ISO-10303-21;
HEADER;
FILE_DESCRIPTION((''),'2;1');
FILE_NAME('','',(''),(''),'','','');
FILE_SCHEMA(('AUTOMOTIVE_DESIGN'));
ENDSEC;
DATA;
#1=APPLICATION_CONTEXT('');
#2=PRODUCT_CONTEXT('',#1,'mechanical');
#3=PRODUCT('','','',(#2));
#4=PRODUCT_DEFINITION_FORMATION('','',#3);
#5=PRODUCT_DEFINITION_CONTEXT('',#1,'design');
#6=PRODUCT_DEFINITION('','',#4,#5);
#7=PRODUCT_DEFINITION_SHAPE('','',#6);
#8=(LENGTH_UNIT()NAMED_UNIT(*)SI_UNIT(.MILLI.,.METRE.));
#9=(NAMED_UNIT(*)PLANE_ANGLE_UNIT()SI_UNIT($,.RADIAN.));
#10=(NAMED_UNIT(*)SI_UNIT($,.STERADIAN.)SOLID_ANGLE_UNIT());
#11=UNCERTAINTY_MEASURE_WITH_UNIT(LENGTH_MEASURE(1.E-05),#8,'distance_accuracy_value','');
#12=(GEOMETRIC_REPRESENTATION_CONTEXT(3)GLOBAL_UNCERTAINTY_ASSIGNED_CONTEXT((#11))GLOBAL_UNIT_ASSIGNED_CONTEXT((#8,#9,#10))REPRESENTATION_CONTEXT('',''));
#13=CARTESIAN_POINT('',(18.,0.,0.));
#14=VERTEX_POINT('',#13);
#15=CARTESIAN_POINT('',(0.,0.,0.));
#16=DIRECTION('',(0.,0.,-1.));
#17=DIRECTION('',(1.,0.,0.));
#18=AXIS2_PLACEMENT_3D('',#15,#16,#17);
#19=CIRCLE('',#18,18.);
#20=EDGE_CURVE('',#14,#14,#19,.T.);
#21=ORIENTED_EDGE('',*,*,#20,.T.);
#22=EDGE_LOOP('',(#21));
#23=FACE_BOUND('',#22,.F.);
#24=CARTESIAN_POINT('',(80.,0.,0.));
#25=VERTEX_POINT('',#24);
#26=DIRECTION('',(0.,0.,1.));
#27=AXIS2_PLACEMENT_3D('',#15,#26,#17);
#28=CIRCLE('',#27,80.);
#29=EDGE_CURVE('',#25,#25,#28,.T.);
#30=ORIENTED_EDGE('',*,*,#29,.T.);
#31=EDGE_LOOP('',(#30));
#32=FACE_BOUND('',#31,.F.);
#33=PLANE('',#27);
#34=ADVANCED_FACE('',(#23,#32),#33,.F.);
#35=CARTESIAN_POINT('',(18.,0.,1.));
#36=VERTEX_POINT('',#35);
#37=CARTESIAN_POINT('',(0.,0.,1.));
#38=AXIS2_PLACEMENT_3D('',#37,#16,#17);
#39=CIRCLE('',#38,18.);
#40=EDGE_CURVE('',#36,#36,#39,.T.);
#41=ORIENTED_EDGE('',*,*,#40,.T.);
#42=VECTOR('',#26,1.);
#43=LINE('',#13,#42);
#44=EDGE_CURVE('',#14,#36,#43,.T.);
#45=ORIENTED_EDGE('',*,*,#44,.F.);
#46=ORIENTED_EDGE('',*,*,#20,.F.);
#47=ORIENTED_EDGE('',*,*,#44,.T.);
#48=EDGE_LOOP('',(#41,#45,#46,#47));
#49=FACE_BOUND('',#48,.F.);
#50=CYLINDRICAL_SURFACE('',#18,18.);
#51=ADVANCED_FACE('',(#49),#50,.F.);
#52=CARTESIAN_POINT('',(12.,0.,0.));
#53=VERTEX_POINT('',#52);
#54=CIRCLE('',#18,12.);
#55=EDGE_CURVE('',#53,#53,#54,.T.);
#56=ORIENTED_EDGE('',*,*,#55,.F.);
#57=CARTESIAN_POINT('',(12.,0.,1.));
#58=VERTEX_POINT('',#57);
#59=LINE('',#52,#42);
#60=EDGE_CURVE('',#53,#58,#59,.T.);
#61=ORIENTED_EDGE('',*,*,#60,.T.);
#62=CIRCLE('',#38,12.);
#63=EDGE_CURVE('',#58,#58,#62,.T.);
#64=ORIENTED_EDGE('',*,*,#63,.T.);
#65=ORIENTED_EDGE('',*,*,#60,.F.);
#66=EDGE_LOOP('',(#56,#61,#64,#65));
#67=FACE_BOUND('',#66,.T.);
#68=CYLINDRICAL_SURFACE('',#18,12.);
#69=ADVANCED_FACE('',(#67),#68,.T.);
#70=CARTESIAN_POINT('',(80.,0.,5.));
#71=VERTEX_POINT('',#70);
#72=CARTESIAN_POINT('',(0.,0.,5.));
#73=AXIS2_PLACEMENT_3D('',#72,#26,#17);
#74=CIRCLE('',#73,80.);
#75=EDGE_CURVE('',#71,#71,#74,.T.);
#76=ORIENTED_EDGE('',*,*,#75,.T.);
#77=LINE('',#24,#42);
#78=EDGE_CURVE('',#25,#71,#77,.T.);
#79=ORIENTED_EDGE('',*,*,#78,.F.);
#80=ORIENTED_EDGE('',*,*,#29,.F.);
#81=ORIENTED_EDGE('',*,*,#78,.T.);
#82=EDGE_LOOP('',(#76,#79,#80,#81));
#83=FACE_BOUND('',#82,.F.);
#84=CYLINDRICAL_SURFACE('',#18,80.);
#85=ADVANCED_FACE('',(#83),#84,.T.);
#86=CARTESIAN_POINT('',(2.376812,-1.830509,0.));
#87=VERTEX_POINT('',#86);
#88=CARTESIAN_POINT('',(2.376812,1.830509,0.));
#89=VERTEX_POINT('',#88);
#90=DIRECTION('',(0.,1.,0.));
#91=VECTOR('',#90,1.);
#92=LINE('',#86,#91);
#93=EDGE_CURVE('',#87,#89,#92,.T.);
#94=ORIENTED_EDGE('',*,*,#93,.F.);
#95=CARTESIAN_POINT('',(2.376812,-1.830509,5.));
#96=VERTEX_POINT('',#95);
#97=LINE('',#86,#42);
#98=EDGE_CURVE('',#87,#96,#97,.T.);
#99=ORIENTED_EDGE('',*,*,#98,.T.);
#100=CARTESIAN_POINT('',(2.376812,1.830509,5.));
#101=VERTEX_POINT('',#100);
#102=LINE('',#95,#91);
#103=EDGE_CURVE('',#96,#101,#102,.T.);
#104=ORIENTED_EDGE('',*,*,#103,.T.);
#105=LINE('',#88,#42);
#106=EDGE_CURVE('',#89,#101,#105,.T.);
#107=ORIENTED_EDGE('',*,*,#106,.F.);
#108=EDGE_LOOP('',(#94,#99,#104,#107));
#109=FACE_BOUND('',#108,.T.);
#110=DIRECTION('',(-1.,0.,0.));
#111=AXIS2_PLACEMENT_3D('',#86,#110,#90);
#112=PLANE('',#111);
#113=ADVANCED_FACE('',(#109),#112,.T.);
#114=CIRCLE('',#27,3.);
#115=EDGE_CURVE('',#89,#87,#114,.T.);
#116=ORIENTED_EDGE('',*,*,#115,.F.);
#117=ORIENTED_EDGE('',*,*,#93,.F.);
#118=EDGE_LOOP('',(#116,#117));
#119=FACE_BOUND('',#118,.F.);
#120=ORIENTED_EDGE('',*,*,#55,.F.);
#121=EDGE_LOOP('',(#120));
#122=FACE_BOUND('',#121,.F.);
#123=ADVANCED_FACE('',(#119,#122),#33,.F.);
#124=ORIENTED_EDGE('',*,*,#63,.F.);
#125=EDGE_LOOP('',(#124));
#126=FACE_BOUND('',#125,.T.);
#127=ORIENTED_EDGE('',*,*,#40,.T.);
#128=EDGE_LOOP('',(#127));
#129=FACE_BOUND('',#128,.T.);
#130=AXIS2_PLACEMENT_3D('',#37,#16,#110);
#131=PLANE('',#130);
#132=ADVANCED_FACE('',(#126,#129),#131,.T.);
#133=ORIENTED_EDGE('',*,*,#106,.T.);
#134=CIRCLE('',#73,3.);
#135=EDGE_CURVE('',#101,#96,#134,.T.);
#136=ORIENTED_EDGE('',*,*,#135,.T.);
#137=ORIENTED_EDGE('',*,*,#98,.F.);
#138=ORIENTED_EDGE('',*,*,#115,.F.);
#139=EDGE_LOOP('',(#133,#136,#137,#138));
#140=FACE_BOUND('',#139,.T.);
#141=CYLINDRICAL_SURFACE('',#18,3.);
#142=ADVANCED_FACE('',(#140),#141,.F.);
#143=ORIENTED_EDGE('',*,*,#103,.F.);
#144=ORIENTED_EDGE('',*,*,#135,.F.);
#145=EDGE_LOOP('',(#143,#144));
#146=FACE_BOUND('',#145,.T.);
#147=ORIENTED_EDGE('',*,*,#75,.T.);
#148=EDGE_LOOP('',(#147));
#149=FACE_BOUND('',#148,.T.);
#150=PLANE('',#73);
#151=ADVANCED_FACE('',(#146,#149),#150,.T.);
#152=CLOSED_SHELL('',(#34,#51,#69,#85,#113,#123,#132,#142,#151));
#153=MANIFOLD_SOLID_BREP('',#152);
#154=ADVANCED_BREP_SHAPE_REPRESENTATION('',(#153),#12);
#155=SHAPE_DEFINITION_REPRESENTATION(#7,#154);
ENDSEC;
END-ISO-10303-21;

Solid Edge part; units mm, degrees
sketch "Sketch1" plane through (0, 0, 0) normal (0, 0, 1) x (1, 0, 0)
  circle A0 centre (0, 0) radius 80
  arc A1 (2.3768, 1.8305) -> (2.3768, -1.8305) centre (0, 0) ccw
  line L0 (2.3768, -1.8305) -> (2.3768, 1.8305)
extrude "Protrusion1" add sketch "Sketch1" along normal blind 5
sketch "Sketch2" plane through (0, 0, 0) normal (0, 0, -1) x (1, 0, 0)
  circle A0 centre (0, 0) radius 12
  circle A1 centre (0, 0) radius 18
  dimension "D1" = 24
  dimension "D2" = 36
extrude "ExtrudedCutout_1" cut sketch "Sketch2" against normal blind 1
